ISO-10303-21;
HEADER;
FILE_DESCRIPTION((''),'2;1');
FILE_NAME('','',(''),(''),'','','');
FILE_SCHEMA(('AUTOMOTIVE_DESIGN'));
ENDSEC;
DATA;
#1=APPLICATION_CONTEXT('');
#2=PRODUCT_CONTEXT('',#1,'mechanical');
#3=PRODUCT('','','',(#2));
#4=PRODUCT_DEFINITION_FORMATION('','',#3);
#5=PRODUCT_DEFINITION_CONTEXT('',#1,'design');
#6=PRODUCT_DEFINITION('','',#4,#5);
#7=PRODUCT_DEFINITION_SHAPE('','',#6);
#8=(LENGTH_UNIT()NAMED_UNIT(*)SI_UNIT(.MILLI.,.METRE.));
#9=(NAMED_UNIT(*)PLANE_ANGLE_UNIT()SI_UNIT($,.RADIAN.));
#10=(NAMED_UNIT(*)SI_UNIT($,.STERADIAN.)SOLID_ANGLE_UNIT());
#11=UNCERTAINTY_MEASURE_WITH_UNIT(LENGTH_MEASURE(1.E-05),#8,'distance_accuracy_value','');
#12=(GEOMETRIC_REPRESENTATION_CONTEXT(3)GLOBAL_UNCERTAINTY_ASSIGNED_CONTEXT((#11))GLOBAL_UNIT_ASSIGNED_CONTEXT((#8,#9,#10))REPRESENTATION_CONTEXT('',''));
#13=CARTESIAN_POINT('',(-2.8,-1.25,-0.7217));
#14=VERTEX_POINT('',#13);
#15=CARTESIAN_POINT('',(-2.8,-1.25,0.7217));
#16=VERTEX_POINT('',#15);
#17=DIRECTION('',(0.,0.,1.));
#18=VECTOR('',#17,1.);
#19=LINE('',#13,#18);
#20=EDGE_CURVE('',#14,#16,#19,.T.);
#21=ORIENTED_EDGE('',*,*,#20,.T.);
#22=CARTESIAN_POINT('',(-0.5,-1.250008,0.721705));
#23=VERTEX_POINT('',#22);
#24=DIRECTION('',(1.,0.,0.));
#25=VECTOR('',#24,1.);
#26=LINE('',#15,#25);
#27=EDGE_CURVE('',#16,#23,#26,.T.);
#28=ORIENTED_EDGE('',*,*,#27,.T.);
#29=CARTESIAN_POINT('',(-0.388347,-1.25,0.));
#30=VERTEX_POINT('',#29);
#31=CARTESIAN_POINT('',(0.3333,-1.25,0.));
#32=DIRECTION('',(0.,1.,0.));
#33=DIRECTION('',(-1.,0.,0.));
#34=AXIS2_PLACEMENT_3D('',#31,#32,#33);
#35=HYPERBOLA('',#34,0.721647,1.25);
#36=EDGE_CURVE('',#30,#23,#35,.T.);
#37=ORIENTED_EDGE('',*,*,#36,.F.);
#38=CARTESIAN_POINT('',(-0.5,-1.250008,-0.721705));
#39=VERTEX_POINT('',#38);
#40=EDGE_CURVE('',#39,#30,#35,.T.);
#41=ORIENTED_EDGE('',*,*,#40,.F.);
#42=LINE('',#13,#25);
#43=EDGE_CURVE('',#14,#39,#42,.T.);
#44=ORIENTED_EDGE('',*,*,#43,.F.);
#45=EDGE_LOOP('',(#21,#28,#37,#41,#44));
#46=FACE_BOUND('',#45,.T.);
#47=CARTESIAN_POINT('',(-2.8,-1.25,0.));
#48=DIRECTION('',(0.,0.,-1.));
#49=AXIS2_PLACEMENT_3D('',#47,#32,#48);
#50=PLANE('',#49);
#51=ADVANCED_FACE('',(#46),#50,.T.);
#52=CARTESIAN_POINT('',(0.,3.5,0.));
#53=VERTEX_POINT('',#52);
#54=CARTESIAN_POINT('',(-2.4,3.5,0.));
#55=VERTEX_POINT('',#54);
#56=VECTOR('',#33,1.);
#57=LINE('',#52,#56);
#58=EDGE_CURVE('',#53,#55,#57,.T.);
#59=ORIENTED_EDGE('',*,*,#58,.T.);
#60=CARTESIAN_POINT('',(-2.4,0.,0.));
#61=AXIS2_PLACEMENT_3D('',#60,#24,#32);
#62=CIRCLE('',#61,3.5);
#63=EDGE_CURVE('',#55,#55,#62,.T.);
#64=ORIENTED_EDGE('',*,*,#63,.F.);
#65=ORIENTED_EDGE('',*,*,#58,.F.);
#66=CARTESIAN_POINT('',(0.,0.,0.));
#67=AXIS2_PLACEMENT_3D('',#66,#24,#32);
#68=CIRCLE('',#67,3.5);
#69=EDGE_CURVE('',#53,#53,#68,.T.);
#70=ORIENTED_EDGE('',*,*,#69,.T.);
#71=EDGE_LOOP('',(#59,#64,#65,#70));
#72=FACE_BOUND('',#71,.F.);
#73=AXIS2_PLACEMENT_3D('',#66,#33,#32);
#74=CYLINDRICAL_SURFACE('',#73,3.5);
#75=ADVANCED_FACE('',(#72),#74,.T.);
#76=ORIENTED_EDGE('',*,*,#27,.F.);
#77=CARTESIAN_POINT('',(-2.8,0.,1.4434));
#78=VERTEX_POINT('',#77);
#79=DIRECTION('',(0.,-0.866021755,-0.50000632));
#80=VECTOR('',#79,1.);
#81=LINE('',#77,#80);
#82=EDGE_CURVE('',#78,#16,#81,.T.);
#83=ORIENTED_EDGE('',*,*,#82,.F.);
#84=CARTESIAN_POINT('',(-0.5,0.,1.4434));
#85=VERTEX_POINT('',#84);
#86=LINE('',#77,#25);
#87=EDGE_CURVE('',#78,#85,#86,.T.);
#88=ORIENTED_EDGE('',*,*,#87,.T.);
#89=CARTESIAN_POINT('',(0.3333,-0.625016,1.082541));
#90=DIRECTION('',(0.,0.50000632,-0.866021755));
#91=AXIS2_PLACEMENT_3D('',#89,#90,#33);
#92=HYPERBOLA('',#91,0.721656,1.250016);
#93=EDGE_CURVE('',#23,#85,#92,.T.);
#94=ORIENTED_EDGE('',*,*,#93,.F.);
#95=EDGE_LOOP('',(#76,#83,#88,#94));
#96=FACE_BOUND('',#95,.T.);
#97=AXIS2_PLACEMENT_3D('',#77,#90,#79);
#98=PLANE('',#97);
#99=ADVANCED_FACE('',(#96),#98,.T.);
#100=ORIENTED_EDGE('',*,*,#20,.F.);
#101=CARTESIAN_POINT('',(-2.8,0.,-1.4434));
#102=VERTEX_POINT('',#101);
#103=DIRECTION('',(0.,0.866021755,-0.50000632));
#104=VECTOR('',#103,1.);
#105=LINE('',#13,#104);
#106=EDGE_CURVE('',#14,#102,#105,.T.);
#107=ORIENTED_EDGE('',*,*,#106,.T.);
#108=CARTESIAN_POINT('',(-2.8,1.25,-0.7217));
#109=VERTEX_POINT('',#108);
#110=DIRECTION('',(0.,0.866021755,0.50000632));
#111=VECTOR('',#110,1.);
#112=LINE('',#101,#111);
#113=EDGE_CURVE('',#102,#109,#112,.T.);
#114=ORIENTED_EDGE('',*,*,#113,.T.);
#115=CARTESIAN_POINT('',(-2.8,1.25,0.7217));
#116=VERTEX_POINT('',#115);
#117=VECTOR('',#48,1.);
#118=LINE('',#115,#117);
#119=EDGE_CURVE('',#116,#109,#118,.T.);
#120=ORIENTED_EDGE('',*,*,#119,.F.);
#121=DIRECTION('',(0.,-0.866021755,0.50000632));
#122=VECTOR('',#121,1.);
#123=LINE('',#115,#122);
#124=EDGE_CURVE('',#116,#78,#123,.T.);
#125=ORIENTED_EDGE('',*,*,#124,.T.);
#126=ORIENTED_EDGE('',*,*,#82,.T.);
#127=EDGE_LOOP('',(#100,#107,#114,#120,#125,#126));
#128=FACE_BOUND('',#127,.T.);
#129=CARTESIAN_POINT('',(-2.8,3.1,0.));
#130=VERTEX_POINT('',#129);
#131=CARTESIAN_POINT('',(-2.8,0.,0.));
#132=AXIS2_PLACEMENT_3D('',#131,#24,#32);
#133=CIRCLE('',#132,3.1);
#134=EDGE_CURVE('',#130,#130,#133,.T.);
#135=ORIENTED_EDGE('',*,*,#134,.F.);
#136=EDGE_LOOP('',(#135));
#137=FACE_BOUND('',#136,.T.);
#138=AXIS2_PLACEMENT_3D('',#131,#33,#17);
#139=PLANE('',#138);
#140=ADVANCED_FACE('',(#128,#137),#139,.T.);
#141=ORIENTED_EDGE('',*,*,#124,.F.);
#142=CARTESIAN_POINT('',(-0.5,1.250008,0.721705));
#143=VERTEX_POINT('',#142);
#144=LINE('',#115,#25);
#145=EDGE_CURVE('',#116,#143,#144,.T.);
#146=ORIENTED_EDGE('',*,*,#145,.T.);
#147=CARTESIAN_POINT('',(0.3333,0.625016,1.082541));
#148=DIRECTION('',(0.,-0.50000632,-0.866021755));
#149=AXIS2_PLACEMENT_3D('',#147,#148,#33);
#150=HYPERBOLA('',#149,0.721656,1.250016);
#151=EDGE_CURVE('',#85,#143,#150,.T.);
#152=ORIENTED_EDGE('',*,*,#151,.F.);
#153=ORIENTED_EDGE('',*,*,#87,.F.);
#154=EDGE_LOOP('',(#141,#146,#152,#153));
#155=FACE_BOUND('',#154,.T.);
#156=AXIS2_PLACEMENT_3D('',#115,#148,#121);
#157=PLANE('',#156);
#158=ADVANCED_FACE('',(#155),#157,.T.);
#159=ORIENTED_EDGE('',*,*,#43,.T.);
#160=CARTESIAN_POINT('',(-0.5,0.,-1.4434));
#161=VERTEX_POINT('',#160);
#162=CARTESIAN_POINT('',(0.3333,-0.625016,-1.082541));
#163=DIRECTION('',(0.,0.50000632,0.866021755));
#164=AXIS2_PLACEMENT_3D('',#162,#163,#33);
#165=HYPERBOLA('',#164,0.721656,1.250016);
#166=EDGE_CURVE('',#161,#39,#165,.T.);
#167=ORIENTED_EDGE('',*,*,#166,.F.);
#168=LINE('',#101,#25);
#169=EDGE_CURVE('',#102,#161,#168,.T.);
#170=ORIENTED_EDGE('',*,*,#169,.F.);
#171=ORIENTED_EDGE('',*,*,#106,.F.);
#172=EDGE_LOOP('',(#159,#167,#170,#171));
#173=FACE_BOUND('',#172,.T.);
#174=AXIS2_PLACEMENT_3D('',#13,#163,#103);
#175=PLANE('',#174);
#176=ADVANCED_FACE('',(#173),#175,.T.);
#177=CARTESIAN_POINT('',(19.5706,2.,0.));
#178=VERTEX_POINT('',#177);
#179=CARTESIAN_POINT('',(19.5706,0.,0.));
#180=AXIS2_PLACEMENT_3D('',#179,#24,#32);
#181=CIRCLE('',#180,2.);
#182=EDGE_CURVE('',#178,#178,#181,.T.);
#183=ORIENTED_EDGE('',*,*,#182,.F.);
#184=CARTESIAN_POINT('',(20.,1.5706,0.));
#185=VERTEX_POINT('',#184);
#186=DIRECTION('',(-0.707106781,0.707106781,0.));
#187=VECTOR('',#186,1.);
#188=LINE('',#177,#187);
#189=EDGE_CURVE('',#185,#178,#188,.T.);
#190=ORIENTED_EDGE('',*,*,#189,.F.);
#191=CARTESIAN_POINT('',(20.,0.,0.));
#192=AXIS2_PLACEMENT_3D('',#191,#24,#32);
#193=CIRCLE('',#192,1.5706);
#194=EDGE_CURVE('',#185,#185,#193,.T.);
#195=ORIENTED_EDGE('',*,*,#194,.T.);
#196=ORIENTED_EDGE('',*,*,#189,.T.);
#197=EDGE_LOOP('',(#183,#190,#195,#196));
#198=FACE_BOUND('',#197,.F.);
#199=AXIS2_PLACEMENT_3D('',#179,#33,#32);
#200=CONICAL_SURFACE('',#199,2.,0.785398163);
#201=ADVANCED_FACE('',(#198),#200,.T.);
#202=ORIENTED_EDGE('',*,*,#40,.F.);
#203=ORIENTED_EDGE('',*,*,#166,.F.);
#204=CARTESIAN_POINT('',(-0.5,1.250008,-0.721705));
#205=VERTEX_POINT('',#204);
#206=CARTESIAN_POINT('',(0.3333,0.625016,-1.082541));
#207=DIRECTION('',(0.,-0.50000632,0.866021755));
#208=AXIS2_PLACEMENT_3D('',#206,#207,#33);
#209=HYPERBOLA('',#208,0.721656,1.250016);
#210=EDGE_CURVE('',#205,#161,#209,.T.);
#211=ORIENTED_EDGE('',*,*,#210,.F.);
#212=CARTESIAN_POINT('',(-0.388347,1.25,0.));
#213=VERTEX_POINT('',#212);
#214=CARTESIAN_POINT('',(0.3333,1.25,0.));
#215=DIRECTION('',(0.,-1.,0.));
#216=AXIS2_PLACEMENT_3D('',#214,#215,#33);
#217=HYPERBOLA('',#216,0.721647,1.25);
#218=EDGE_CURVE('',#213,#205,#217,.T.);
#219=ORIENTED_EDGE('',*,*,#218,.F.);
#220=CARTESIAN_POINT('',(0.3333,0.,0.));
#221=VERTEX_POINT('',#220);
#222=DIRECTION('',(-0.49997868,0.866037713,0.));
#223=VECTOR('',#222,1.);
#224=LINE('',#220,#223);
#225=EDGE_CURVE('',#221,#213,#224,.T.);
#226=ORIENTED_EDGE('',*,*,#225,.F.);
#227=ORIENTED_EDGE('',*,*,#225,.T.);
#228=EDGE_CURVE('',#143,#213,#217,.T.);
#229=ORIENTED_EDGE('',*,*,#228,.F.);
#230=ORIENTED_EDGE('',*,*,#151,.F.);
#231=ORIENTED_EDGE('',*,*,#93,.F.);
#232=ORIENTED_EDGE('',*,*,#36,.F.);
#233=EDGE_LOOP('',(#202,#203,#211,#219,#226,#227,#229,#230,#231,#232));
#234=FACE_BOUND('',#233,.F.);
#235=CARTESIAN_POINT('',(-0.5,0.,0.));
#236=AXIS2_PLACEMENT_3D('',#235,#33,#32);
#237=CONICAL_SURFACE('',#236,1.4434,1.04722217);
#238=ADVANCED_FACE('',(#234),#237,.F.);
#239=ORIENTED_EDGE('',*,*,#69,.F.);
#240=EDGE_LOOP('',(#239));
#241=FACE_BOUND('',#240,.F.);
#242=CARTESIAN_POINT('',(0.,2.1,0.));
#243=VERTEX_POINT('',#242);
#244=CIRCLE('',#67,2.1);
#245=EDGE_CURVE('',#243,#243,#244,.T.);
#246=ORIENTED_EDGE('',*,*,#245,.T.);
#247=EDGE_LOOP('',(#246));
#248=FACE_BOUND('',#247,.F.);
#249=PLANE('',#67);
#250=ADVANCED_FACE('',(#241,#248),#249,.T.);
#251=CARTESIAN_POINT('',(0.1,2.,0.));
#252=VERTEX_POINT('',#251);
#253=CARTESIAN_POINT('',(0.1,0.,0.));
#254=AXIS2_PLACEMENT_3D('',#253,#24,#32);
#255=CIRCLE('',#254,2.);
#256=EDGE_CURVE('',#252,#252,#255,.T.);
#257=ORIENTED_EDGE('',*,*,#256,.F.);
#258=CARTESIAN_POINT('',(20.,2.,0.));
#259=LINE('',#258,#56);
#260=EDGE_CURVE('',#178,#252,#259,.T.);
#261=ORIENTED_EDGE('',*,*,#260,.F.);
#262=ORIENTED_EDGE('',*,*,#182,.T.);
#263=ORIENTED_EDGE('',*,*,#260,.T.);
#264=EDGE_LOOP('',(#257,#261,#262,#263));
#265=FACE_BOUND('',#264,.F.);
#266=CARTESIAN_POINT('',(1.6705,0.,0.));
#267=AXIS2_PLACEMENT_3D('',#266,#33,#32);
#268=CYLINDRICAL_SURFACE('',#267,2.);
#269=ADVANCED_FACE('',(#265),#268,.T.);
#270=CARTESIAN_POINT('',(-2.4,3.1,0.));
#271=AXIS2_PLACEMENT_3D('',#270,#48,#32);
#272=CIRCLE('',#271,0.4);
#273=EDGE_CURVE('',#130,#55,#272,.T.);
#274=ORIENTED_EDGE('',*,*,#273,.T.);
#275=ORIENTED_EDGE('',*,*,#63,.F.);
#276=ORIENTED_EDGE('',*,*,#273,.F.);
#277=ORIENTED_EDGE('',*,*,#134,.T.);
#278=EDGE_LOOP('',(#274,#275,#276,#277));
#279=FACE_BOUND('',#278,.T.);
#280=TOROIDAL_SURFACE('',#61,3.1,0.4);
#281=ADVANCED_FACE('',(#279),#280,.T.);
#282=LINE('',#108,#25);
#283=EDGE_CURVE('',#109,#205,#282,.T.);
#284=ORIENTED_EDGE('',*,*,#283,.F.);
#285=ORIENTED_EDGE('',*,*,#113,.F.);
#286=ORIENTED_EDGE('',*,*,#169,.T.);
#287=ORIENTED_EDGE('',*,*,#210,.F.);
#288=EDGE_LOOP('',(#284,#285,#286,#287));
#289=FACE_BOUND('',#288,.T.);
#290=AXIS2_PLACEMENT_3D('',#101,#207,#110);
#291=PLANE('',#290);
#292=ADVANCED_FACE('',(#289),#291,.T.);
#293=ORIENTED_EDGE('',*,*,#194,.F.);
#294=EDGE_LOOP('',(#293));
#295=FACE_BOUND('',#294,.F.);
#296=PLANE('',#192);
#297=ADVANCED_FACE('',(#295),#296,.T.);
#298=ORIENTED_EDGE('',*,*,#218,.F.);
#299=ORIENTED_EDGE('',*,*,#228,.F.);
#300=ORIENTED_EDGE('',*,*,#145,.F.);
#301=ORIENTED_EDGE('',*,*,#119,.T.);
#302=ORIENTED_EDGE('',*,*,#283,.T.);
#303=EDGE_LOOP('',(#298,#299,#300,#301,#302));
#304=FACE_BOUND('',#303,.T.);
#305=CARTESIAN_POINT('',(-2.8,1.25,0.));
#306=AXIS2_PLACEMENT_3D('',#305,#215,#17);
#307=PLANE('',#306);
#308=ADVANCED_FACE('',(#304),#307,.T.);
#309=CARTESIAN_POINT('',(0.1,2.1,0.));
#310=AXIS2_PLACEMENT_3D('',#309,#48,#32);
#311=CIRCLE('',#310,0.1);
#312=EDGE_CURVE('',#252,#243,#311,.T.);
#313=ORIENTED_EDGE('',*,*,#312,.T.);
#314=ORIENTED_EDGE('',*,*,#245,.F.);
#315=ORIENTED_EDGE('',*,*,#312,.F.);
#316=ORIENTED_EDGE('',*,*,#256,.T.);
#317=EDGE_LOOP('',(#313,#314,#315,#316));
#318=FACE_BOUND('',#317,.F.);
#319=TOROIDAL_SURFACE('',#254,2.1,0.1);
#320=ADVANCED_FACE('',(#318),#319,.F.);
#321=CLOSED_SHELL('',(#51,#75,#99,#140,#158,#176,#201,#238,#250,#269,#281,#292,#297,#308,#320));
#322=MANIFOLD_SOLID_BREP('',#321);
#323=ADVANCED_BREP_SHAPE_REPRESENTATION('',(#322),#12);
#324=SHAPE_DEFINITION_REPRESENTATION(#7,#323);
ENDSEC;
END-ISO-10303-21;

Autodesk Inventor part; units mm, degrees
ref_plane "YZ Plane" through (0, 0, 0) normal (1, 0, 0) x (0, 1, 0)
ref_plane "XZ Plane" through (0, 0, 0) normal (0, 1, 0) x (-1, 0, 0)
sketch "Sketch1" plane through (0, 0, 0) normal (0, 0, 1) x (1, 0, 0)
  line L0 (0.3333, 0) -> (20, 0)
  line L1 (20, 0) -> (20, 2)
  line L2 (20, 2) -> (2.1, 2)
  line L3 (2.1, 2) -> (1.6705, 2)
  line L4 (1.6705, 2) -> (0, 2)
  line L5 (0, 2) -> (0, 3.5)
  line L6 (0, 3.5) -> (-2.8, 3.5)
  line L7 (-2.8, 3.5) -> (-2.8, 1.4434)
  line L8 (-2.8, 1.4434) -> (-0.5, 1.4434)
  line L9 (-0.5, 1.4434) -> (0.3333, 0)
  line L10 (-7.36, 0) -> (24.56, 0) projected
  line L11 (0, -0.7) -> (0, 4.2) projected
  line L12 (2.1, 2) -> (0, 2) construction
  dimension "d1" = 17.9
  dimension "d2" = 0.4295
  dimension "d3" = 2.8
  dimension "d4" = 2.3
  dimension "d5" = 60
  dimension "d6" = 4
  dimension "d7" = 4
  dimension "d8" = 2.8868
  dimension "d9" = 7
  dimension "d26" = 20
revolve "Body" add sketch "Sketch1" angle 360 about axis through (0.3333, 0, 0) along (1, 0, 0) contours L9 L11 L4 L3 L2 L1 L0 | L9 L8 L7 L6 L5 L11
sketch "Sketch2" plane through (-2.8, 0, 0) normal (-1, 0, 0) x (0, 0, 1)
  circle A0 centre (0, 0) radius 1.4434 projected
  line L0 (0, -4.9) -> (0, 4.9) projected
  line L1 (-4.9, 0) -> (4.9, 0) projected
  line L2 (1.4434, 0) -> (0.7217, -1.25)
  line L3 (0.7217, -1.25) -> (-0.7217, -1.25)
  line L4 (-0.7217, -1.25) -> (-1.4434, 0)
  line L5 (-1.4434, 0) -> (-0.7217, 1.25)
  line L6 (-0.7217, 1.25) -> (0.7217, 1.25)
  line L7 (0.7217, 1.25) -> (1.4434, 0)
  point P0 (0, 0)
extrude "Slot" add sketch "Sketch2" against normal up to next contours L7 A0 | A0 L2 | L6 L0 A0 | A0 L0 L3 | L0 L6 A0 | A0 L3 L0 | L4 A0 | A0 L5
fillet "Fillet1" radius 0.4 1 edges at (-2.8, -3.5, 0)
thread "Thread" size "M4x0.7" class "6g" standard "ISO Metric profile" length 17.9
chamfer "Chamfer1" distance 0.4294 distance2 0.4294 1 edges at (20, -2, 0) measured on face at (20, 0.527, -0.2661)
ref_plane "Work Plane1" through (29, 0, 0) normal (0, -1, 0) x (1, 0, 0)
fillet "Fillet2" radius 0.1 1 edges at (0, -2, 0)
equation "\"d1\" = GEL"
equation "\"d3\" = KOH"
equation "\"d4\" = INTI"
equation "\"d6\" = GD"
equation "\"d7\" = BDM"
equation "\"d8\" = 1.1547 * SW"
equation "\"d9\" = KOD"
equation "\"d26\" = NLG"
equation "\"d30\" = R"
equation "\"d17\" = RR"
equation "\"d13\" = GEL"
equation "\"d15\" = -0.5 * SPD + 0.5 * GD"
equation "\"d16\" = GUL"
equation "\"GD\" = NND"
equation "\"NLG\" = 20"
equation "\"GEL\" = 17.9"
equation "\"KOD\" = 7"
equation "\"KOH\" = 2.8"
equation "\"INTI\" = 2.3"
equation "\"GAL\" = 0.61345 * PTC"
equation "\"GUL\" = 0.61345 * PTC"
equation "\"BDM\" = NND"
equation "\"SW\" = 2.5"
equation "\"RR\" = 0.4"
equation "\"SPD\" = NND - 1.2269 * PTC"
equation "\"R\" = 0.1"
equation "\"TOA\" = 30deg"
equation "\"GD1\" = THREADDIA - 1.2269 * PTC"
equation "\"THREADDIA\" = 4"
equation "\"FAWI\" = 45deg"
equation "\"ANG\" = 120deg"
equation "\"PTC\" = 0.7"
equation "\"NND\" = 4"
equation "\"E0\" = 1.155 * SW"
properties part number "DIN 7984 - M4 x 20" material "Steel, Mild"
